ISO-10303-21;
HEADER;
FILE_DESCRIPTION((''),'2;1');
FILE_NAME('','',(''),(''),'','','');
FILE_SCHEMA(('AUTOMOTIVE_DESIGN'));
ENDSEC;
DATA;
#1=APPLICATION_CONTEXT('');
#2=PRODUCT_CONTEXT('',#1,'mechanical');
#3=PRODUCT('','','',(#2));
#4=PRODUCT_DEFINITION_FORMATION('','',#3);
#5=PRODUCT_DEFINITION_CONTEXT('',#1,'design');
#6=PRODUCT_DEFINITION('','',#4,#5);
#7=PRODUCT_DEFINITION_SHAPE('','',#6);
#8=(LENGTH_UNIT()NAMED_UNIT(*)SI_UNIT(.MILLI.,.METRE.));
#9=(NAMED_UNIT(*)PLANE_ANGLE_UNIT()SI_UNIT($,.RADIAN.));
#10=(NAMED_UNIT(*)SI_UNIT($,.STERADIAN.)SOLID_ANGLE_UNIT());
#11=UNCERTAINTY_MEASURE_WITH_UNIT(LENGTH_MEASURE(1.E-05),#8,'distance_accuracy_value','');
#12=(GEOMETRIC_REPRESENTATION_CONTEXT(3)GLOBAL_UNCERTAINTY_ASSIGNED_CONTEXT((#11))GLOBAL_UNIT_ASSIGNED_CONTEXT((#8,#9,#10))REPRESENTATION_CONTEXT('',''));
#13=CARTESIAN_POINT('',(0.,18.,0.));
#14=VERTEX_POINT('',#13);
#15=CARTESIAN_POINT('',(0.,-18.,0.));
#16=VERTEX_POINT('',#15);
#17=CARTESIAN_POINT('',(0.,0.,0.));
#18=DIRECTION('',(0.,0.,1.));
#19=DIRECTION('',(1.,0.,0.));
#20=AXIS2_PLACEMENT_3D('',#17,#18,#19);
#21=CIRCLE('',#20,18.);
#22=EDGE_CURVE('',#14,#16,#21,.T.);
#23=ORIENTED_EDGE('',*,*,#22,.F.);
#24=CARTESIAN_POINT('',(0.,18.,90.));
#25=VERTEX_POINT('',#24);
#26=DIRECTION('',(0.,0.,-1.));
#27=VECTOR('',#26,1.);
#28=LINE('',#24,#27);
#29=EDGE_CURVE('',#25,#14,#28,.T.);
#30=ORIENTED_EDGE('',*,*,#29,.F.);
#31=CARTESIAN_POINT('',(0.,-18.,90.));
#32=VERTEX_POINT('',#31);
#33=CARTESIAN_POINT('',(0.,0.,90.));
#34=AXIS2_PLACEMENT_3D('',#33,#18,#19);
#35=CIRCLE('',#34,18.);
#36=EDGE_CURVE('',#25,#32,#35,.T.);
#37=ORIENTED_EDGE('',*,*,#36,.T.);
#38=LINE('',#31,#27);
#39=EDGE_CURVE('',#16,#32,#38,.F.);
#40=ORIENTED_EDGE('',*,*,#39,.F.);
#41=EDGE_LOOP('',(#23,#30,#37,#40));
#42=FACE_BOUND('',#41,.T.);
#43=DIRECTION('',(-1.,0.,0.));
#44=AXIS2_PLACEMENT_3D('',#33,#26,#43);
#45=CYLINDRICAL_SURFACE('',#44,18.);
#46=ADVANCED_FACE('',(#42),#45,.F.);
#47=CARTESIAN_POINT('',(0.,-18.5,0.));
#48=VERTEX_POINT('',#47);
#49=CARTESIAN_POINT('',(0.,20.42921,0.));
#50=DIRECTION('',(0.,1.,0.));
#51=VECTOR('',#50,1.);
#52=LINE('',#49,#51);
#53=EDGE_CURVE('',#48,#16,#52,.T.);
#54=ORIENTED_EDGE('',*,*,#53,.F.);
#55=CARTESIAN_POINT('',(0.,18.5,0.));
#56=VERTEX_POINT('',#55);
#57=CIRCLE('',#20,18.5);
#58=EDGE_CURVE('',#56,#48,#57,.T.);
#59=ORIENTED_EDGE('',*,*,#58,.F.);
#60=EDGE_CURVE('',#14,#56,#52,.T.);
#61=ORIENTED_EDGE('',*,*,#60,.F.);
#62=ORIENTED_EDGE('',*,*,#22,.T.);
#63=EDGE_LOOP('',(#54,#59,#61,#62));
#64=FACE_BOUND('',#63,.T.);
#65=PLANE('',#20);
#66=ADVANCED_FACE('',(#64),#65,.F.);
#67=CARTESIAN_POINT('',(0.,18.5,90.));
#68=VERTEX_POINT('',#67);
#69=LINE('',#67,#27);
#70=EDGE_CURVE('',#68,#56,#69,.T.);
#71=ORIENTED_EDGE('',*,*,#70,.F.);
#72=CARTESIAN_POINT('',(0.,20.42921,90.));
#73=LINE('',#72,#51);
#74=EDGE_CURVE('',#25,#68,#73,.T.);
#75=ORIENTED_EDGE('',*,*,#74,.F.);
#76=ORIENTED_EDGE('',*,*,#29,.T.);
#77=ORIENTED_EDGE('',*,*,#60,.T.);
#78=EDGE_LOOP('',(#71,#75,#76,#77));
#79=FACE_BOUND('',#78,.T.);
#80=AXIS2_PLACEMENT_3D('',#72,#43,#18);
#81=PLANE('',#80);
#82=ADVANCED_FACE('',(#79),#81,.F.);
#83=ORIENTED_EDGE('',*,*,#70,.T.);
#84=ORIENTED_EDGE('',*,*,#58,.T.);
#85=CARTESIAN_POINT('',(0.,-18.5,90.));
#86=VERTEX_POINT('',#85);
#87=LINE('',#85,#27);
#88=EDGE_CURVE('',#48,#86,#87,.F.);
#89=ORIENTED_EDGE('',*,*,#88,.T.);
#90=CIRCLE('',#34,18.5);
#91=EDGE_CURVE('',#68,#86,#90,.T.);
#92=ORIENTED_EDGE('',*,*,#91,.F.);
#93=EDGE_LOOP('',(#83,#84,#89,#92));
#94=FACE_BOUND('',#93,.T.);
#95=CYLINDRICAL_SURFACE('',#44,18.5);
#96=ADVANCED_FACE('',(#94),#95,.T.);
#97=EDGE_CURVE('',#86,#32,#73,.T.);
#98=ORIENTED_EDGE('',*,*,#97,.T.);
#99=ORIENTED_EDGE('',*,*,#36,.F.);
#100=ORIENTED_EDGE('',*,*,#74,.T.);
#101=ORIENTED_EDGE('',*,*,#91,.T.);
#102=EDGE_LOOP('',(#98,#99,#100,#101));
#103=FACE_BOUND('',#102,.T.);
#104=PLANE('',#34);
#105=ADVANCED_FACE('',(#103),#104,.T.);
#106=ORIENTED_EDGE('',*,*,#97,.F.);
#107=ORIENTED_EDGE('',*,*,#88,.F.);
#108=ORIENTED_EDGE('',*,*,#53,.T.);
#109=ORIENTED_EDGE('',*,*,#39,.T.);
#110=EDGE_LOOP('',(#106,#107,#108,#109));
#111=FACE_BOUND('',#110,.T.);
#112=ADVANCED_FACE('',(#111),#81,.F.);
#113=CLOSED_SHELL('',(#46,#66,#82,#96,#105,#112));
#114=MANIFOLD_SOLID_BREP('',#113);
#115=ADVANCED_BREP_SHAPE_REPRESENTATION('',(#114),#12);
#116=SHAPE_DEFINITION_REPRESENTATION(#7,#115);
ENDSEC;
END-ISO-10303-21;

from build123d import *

# Parameters (mm, degrees)
SKETCH_1_R          = 18.5
SKETCH_1_R_2        = 18
EXTRUDE_1_DEPTH     = 90
SKETCH_4_W          = 20.552277559
SKETCH_4_H          = 41.870478505
CUT_EXTRUDE_1_DEPTH = 90


with BuildPart() as part:
    # 草图1 → 凸台-拉伸1 (new body)
    with BuildSketch(Plane.XY):
        with Locations(Location((0, 0, 0), (0, 0, 180))):
            Circle(SKETCH_1_R)
        with Locations(Location((0, 0, 0), (0, 0, 180))):
            Circle(SKETCH_1_R_2, mode=Mode.SUBTRACT)
    extrude(amount=EXTRUDE_1_DEPTH)

    # 草图4 → 切除-拉伸1 (cut)
    with BuildSketch(Plane(origin=(0, 0, 0), x_dir=(-1, 0, 0), z_dir=(0, 0, -1))):
        with Locations((-10.27613878, -0.506028893)):
            Rectangle(SKETCH_4_W, SKETCH_4_H)
    extrude(amount=-CUT_EXTRUDE_1_DEPTH, mode=Mode.SUBTRACT)


solid = part.part
